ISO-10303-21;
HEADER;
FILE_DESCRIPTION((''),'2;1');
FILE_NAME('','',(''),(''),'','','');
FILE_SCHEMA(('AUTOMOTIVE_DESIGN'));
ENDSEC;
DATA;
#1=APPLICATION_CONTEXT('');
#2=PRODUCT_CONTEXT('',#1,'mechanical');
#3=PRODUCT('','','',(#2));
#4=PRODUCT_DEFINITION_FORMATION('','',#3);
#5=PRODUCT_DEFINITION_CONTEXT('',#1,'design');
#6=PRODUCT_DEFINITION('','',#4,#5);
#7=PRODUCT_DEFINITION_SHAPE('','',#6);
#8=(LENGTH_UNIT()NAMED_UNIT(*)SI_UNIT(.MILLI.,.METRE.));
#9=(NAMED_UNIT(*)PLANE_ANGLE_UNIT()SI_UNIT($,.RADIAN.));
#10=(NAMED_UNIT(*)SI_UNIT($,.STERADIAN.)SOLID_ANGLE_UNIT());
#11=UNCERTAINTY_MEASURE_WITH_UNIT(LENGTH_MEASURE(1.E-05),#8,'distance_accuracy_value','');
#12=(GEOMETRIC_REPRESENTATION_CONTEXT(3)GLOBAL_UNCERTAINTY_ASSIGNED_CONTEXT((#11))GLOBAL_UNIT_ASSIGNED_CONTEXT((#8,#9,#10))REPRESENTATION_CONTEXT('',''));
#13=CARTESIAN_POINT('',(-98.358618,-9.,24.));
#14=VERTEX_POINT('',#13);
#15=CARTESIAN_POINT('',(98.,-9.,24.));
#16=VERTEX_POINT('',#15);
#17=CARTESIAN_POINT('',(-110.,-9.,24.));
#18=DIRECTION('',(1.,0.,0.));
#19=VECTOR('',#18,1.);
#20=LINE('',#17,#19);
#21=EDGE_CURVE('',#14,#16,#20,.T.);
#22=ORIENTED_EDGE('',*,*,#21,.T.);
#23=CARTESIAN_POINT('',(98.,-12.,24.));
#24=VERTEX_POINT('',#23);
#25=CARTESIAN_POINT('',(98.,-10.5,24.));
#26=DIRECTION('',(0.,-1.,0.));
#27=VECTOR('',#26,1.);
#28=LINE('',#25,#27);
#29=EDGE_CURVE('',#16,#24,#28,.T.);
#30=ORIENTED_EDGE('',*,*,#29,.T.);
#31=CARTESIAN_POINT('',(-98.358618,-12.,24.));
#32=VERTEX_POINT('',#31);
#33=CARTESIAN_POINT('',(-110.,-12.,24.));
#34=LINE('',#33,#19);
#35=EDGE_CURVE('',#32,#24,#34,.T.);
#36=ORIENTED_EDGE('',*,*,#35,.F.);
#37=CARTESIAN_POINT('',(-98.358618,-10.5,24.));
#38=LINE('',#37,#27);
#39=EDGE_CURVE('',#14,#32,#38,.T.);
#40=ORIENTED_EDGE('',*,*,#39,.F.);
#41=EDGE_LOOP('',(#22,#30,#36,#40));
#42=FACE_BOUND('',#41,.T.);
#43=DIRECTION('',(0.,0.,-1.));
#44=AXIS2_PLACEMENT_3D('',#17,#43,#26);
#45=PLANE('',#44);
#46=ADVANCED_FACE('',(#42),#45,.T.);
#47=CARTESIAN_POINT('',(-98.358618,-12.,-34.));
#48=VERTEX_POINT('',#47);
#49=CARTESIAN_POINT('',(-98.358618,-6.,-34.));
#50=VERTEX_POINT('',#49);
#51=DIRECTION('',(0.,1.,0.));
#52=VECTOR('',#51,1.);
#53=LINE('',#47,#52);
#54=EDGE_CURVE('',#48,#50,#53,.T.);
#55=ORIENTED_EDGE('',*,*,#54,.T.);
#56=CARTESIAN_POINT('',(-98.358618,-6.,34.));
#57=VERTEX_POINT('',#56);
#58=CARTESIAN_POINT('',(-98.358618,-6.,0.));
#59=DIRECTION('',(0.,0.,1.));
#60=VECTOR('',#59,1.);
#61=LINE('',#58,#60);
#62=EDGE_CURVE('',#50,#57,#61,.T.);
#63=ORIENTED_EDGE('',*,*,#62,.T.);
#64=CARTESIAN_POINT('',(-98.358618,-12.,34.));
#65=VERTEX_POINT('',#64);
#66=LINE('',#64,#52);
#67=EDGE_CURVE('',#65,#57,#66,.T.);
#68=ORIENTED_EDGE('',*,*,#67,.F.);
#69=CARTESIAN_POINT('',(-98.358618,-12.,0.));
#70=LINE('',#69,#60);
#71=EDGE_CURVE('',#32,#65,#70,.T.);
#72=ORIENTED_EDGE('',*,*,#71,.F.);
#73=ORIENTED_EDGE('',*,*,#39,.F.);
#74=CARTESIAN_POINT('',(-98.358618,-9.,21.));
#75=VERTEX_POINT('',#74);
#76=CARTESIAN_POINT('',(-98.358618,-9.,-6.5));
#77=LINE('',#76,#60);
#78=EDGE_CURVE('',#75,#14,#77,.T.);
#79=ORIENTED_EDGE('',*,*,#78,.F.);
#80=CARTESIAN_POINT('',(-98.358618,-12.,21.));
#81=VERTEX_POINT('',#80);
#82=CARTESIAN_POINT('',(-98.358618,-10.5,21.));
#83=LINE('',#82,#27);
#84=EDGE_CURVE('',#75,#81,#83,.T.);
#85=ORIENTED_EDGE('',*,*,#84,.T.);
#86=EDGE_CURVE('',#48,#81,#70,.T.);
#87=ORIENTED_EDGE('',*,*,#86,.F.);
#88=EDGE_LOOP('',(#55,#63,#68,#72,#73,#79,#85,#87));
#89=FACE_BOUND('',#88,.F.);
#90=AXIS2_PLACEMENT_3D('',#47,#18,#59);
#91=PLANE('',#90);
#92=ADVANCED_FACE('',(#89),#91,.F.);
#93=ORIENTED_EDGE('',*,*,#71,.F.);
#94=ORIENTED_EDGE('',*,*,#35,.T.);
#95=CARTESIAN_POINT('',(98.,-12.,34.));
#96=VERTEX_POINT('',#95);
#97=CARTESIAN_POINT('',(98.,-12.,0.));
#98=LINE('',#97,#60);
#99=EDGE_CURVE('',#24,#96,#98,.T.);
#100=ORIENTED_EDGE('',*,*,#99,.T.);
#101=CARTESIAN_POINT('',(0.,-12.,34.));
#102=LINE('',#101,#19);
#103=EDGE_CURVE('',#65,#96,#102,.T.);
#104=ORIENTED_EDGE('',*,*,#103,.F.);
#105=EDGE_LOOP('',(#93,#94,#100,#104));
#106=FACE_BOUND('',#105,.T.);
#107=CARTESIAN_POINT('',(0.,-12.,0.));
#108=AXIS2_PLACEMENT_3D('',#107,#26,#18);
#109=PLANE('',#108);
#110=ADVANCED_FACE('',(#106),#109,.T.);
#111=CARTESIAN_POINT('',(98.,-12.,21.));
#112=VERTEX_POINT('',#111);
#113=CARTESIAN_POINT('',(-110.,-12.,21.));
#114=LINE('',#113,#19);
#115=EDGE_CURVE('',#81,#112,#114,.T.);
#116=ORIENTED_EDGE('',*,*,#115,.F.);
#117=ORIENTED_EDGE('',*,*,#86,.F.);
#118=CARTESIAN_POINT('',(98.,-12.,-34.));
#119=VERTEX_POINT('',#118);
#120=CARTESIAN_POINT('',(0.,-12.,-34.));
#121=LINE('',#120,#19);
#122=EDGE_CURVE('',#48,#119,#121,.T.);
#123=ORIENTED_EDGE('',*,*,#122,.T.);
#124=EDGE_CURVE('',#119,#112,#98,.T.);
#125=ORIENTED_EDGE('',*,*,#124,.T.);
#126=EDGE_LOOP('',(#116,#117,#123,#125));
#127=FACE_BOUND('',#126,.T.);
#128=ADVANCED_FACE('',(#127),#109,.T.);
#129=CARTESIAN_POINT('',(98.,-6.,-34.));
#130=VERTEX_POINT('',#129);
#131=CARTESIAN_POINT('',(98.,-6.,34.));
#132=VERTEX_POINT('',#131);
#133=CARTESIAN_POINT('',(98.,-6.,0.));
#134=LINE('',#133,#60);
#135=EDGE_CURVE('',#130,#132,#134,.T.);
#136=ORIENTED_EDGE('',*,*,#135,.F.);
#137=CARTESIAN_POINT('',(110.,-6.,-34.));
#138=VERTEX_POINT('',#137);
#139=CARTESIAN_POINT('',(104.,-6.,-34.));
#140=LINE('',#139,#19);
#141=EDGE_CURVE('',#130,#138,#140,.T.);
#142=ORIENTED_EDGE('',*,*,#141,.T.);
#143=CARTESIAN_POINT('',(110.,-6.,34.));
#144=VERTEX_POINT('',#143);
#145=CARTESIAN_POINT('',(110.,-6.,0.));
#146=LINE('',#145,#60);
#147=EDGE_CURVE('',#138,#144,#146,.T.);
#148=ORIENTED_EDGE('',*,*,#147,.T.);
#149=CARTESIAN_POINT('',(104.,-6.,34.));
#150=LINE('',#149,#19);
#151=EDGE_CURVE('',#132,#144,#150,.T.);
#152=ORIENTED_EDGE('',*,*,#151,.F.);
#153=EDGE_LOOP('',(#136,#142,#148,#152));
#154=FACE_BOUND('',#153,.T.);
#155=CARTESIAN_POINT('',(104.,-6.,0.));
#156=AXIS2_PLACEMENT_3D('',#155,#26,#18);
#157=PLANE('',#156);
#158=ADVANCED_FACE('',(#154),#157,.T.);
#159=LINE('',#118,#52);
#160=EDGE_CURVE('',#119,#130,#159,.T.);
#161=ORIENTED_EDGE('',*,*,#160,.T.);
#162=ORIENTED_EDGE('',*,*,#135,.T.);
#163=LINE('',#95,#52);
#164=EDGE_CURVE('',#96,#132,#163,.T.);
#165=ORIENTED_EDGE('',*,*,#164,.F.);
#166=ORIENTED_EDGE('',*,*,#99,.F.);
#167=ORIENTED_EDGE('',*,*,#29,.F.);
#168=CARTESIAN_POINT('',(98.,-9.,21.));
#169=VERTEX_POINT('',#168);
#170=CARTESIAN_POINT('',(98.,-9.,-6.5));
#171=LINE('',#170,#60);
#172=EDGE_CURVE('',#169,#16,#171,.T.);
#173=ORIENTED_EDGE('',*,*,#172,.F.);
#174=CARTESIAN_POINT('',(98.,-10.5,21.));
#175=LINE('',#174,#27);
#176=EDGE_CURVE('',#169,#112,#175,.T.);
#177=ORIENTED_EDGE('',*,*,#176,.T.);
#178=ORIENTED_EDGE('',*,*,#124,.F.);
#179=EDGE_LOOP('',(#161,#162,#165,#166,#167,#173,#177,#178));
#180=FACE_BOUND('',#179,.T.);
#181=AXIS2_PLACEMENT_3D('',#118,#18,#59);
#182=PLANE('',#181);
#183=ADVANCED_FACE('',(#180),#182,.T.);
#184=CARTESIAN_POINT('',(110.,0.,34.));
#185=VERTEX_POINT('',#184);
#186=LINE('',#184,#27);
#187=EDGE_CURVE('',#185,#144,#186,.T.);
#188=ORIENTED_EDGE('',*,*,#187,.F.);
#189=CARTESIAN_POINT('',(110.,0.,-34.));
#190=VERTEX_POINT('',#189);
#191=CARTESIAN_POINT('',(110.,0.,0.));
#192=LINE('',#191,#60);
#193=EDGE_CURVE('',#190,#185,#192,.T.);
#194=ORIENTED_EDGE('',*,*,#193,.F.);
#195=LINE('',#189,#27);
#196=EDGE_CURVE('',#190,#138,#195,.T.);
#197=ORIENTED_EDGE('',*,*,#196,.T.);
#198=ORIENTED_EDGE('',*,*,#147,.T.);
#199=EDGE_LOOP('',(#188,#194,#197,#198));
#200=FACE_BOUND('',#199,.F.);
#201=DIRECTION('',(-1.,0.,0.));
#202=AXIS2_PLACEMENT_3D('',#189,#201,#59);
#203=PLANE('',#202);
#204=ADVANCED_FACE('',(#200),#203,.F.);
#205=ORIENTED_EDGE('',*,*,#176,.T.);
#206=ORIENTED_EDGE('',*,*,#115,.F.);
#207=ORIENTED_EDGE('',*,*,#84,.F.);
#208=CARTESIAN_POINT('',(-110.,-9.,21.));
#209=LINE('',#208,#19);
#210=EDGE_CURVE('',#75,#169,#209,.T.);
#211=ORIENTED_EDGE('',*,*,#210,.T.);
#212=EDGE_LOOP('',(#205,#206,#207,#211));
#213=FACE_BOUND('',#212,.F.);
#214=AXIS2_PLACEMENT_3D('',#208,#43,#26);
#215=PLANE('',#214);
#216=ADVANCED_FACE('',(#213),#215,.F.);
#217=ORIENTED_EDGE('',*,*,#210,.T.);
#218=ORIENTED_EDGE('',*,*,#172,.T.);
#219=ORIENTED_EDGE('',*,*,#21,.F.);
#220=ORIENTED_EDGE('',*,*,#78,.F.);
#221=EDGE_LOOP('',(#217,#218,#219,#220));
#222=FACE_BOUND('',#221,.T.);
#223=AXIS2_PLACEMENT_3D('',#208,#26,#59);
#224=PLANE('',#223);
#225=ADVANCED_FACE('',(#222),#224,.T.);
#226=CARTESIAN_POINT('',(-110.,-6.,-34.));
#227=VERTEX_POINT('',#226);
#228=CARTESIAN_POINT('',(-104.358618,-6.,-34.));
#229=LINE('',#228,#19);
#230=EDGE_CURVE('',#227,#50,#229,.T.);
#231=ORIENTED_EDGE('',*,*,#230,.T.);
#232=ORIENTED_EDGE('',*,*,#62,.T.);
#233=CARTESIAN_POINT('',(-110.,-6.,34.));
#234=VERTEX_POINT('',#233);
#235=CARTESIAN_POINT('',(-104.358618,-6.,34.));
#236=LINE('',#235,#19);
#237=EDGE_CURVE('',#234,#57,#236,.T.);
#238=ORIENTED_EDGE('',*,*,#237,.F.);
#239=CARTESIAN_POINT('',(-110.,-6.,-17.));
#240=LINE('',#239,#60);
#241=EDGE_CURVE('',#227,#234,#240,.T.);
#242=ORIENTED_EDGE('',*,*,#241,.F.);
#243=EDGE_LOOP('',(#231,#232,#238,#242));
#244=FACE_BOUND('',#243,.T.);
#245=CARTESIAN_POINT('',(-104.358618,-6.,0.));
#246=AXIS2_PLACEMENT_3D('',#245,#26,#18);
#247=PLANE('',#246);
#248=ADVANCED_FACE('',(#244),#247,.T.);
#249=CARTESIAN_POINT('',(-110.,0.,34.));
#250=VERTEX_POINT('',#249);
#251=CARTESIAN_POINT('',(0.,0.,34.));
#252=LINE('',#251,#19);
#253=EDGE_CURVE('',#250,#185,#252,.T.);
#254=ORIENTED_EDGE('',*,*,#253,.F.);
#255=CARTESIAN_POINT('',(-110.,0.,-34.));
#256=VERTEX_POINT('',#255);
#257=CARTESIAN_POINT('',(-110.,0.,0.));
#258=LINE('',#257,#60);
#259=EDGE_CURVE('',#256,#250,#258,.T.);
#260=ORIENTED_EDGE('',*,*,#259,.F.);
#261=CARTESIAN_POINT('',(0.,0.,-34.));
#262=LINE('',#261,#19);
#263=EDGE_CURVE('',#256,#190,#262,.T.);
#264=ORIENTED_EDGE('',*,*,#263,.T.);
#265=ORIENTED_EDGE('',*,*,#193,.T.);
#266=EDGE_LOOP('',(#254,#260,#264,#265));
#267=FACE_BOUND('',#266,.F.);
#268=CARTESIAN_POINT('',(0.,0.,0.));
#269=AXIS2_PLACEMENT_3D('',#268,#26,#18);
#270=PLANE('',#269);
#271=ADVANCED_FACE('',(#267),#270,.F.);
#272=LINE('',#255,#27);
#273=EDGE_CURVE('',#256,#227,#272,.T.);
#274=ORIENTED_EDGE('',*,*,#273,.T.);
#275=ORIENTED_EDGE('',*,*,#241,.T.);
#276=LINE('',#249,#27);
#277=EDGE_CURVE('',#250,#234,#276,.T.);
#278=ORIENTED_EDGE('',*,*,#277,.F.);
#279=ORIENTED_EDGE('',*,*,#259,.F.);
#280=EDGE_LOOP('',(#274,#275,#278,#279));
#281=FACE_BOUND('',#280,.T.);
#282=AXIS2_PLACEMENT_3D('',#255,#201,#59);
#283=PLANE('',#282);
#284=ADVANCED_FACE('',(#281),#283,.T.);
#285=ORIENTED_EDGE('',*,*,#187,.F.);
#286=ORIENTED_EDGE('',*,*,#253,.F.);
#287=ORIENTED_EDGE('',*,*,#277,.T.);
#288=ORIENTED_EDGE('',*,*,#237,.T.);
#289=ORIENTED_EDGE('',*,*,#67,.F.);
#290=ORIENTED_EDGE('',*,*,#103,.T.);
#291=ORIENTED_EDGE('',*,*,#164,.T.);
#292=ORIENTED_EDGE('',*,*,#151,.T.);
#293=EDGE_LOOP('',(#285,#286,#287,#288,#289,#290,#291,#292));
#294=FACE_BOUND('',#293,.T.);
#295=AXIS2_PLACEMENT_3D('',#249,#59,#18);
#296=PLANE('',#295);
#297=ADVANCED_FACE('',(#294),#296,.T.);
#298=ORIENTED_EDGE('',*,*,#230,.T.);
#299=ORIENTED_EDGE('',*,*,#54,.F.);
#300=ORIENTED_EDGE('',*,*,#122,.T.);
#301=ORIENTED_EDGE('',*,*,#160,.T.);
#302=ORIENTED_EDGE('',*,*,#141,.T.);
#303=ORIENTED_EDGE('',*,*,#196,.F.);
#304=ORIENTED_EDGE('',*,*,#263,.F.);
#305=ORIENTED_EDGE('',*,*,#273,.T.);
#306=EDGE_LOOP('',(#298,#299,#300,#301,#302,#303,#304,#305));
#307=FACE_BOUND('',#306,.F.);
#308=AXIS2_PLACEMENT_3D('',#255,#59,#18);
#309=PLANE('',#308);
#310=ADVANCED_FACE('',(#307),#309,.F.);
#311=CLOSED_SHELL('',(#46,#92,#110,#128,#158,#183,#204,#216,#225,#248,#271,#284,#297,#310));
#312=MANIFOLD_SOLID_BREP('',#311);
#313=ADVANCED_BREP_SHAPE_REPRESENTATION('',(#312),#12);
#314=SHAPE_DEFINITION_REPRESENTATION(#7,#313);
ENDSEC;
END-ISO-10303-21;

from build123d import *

# Parameters (mm, degrees)
F0_W     = 220
F0_H     = 68
F1_DEPTH = 12
F2_W     = 3
F2_H     = 3
F3_DEPTH = 300
F4_W     = 12
F4_H     = 68
F5_DEPTH = 6


with BuildPart() as f1:
    # F0 (on Front) → F1 (new body)
    with BuildSketch(Plane.XZ):
        Rectangle(F0_W, F0_H)
    extrude(amount=F1_DEPTH)

    # F2 (on face) → F3 (cut)
    with BuildSketch(Plane(origin=(-110, 0, 0), x_dir=(0, -1, 0), z_dir=(-1, 0, 0))):
        with Locations((10.5, 22.5)):
            Rectangle(F2_W, F2_H)
    extrude(amount=-F3_DEPTH, mode=Mode.SUBTRACT)

    # F4 (on face) → F5 (cut)
    with BuildSketch(Plane.XZ.offset(12)):
        with Locations((-104.358618, 0)):
            Rectangle(F4_W, F4_H)
        with Locations((104, 0)):
            Rectangle(F4_W, F4_H)
    extrude(amount=-F5_DEPTH, mode=Mode.SUBTRACT)


solid = f1.part
